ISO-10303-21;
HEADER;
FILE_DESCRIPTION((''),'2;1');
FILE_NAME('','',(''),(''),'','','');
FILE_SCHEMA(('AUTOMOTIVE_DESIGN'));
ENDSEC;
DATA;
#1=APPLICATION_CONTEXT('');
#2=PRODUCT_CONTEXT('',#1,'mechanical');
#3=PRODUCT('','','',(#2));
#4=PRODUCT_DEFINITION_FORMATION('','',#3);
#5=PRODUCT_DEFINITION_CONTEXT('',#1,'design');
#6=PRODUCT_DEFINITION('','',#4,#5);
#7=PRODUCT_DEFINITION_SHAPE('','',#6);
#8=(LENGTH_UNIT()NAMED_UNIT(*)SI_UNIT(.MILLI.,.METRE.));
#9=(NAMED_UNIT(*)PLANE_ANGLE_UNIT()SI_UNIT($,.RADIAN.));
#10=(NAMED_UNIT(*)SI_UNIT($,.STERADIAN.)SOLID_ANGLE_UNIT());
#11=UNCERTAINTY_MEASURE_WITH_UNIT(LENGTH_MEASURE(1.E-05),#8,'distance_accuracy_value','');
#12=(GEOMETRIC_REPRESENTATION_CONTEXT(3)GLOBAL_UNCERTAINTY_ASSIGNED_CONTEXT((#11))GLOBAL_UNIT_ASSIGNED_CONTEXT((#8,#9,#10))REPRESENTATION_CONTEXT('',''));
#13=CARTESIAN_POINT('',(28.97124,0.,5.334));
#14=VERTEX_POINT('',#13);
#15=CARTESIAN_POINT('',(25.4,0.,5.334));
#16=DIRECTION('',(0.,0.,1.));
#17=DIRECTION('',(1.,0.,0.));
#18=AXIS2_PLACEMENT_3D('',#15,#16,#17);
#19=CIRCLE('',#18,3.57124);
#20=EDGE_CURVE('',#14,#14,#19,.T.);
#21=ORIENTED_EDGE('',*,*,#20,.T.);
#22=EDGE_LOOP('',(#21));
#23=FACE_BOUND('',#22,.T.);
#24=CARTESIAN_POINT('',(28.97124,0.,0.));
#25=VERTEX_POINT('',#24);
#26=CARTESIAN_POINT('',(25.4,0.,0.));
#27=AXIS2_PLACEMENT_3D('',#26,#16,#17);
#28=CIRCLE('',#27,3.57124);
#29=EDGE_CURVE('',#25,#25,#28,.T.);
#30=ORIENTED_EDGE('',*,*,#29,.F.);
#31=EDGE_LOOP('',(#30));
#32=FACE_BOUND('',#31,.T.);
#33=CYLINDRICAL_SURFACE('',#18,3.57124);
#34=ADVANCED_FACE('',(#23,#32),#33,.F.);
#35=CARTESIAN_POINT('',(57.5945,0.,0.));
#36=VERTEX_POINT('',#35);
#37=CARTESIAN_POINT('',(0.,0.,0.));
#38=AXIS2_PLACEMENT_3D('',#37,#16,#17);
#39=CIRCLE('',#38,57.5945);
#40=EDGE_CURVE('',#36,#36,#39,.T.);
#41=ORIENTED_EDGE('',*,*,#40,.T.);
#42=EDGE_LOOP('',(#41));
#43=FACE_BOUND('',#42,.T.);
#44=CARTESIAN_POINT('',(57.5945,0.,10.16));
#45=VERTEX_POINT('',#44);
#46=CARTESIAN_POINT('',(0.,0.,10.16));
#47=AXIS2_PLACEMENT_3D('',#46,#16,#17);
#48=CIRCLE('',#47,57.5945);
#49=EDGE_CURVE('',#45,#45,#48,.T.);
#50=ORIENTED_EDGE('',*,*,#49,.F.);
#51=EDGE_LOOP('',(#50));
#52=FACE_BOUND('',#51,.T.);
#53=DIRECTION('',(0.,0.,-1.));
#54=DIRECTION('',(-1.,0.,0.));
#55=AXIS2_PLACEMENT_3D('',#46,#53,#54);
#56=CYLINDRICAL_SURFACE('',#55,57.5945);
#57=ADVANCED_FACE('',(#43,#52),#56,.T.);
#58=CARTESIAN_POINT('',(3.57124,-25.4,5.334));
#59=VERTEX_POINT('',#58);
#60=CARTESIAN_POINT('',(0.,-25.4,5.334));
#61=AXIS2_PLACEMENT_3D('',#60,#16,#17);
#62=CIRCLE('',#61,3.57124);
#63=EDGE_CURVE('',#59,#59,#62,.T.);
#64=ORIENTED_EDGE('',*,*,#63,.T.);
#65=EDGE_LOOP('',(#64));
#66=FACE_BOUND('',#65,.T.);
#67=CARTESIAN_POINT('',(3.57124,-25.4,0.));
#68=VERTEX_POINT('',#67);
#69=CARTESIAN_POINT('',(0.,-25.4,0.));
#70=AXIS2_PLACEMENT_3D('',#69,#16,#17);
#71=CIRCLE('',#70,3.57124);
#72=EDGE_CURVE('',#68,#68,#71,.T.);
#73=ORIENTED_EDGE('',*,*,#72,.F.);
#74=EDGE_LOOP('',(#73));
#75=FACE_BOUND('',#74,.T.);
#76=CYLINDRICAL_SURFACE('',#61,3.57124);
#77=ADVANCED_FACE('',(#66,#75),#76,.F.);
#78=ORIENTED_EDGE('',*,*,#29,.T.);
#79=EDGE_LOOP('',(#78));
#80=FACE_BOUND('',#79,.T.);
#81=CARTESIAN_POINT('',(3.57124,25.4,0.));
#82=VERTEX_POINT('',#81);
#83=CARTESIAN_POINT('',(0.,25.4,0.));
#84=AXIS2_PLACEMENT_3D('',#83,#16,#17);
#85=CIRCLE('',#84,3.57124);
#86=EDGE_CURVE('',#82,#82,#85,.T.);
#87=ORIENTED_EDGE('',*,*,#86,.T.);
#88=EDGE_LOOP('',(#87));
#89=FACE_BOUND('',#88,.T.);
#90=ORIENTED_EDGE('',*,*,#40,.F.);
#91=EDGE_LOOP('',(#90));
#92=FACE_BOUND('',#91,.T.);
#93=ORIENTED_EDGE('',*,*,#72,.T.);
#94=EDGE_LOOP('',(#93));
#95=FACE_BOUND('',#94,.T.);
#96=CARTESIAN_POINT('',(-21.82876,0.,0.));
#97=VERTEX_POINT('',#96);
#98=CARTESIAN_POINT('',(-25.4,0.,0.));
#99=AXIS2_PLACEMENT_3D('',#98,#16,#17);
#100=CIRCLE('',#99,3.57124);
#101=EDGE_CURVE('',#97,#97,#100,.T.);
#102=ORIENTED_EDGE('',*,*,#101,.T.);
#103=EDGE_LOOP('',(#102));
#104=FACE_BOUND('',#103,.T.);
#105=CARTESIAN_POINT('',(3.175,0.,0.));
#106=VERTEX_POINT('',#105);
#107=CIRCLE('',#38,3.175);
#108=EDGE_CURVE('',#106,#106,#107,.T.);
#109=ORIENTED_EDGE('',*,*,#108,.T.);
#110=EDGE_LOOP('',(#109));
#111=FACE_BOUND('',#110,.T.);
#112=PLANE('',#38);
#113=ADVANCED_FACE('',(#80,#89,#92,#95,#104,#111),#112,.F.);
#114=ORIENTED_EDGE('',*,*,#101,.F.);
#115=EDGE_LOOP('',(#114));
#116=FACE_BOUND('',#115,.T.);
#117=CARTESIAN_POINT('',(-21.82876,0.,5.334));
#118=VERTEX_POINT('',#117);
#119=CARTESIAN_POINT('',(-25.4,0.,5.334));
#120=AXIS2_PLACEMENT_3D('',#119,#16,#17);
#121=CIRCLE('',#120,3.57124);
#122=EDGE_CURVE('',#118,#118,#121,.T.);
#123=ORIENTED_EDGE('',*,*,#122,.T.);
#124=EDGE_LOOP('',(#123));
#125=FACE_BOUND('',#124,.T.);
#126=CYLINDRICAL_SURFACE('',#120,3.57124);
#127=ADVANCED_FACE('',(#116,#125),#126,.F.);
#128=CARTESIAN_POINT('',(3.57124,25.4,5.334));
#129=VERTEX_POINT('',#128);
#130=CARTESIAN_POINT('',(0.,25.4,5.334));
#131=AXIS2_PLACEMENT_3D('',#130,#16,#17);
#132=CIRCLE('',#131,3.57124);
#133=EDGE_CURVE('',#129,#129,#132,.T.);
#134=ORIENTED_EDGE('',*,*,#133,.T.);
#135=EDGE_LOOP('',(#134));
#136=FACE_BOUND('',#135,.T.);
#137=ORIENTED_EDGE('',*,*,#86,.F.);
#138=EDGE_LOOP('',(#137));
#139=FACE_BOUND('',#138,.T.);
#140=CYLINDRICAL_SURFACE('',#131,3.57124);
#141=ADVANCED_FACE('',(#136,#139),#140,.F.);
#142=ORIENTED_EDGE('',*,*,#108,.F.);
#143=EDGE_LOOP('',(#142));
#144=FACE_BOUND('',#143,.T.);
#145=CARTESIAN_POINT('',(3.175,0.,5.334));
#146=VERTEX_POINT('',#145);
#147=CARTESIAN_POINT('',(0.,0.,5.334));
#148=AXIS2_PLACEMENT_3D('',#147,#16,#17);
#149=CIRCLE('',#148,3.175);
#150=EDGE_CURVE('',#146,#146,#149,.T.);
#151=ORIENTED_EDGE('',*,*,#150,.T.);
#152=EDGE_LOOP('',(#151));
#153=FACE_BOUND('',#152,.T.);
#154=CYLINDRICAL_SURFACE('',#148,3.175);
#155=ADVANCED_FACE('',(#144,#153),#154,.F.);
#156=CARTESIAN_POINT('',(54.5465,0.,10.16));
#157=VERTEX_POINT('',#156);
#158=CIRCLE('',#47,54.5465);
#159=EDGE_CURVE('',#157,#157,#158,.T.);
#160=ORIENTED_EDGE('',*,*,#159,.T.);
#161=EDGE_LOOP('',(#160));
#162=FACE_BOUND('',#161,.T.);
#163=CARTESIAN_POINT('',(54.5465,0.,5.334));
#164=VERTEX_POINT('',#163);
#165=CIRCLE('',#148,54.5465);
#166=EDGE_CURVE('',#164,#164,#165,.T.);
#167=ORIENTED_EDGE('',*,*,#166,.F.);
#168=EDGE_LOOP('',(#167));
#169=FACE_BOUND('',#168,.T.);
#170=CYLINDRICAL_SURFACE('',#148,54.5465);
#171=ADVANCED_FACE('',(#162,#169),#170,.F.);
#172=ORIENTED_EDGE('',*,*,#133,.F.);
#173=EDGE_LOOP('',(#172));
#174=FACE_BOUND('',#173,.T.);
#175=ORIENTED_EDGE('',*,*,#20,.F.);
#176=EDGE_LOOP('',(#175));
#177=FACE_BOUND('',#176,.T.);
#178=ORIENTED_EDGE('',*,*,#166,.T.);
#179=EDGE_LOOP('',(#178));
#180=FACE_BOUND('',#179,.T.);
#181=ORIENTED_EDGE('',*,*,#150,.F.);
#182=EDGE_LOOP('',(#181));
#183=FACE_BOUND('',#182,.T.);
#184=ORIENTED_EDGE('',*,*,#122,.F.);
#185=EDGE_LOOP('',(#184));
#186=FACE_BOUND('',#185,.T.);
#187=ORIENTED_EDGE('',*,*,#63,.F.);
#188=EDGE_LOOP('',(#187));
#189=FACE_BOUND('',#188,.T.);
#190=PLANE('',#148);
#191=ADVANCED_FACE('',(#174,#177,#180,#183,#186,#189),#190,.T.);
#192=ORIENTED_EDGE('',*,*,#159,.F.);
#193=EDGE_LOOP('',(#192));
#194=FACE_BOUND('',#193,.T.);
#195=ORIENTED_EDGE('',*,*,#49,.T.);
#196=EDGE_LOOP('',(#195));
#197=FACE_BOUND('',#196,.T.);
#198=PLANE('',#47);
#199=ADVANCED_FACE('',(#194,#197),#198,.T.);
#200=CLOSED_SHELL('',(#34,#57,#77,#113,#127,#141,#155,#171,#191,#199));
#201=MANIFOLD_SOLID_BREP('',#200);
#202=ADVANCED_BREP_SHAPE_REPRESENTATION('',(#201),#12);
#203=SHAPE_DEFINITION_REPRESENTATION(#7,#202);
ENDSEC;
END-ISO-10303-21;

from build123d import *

# Parameters (mm, degrees)
SKETCH1_R                       = 57.5945
EXTRUDE1_DEPTH                  = 10.16
SKETCH2_R                       = 54.5465
EXTRUDE2_DEPTH                  = 4.826
F_1_4_0_25_DIAMETER_HOLE1_D     = 6.35
F_1_4_0_25_DIAMETER_HOLE1_DEPTH = 6.35
F_1_4_0_25_DIAMETER_HOLE1_TIP   = 1.907732465
F_1_4_CLEARANCE_HOLE1_D         = 7.14248
CIRPATTERN1_COUNT               = 4


with BuildPart() as part:
    # Sketch1 → Extrude1 (new body)
    with BuildSketch(Plane.XY):
        Circle(SKETCH1_R)
    extrude(amount=EXTRUDE1_DEPTH)

    # Sketch2 → Extrude2 (cut)
    with BuildSketch(Plane.XY.offset(10.16)):
        Circle(SKETCH2_R)
    extrude(amount=-EXTRUDE2_DEPTH, mode=Mode.SUBTRACT)

    # 1/4 (0.25) Diameter Hole1
    with Locations(Plane.XY.offset(5.334)):
        with Locations((0, 0)):
            Hole(F_1_4_0_25_DIAMETER_HOLE1_D / 2, depth=F_1_4_0_25_DIAMETER_HOLE1_DEPTH)
            with Locations((0, 0, -(F_1_4_0_25_DIAMETER_HOLE1_DEPTH + F_1_4_0_25_DIAMETER_HOLE1_TIP / 2))):  # 118° drill point
                Cone(0, F_1_4_0_25_DIAMETER_HOLE1_D / 2, F_1_4_0_25_DIAMETER_HOLE1_TIP, mode=Mode.SUBTRACT)

    # 1/4 Clearance Hole1 (through all)
    with Locations(Plane(origin=(25.4, 0, 5.334), x_dir=(1, 0, 0), z_dir=(0, 0, 1))):
        with Locations((0, 0)):
            f_1_4_clearance_hole1 = Hole(F_1_4_CLEARANCE_HOLE1_D / 2)

    # CirPattern1: 1/4 Clearance Hole1 ×4 about axis
    cirpattern1_axis = Axis((0, 0, 0), (0, 0, 1))
    for i in range(1, CIRPATTERN1_COUNT):
        add(f_1_4_clearance_hole1.rotate(cirpattern1_axis, i * 360 / CIRPATTERN1_COUNT), mode=Mode.SUBTRACT)


solid = part.part
